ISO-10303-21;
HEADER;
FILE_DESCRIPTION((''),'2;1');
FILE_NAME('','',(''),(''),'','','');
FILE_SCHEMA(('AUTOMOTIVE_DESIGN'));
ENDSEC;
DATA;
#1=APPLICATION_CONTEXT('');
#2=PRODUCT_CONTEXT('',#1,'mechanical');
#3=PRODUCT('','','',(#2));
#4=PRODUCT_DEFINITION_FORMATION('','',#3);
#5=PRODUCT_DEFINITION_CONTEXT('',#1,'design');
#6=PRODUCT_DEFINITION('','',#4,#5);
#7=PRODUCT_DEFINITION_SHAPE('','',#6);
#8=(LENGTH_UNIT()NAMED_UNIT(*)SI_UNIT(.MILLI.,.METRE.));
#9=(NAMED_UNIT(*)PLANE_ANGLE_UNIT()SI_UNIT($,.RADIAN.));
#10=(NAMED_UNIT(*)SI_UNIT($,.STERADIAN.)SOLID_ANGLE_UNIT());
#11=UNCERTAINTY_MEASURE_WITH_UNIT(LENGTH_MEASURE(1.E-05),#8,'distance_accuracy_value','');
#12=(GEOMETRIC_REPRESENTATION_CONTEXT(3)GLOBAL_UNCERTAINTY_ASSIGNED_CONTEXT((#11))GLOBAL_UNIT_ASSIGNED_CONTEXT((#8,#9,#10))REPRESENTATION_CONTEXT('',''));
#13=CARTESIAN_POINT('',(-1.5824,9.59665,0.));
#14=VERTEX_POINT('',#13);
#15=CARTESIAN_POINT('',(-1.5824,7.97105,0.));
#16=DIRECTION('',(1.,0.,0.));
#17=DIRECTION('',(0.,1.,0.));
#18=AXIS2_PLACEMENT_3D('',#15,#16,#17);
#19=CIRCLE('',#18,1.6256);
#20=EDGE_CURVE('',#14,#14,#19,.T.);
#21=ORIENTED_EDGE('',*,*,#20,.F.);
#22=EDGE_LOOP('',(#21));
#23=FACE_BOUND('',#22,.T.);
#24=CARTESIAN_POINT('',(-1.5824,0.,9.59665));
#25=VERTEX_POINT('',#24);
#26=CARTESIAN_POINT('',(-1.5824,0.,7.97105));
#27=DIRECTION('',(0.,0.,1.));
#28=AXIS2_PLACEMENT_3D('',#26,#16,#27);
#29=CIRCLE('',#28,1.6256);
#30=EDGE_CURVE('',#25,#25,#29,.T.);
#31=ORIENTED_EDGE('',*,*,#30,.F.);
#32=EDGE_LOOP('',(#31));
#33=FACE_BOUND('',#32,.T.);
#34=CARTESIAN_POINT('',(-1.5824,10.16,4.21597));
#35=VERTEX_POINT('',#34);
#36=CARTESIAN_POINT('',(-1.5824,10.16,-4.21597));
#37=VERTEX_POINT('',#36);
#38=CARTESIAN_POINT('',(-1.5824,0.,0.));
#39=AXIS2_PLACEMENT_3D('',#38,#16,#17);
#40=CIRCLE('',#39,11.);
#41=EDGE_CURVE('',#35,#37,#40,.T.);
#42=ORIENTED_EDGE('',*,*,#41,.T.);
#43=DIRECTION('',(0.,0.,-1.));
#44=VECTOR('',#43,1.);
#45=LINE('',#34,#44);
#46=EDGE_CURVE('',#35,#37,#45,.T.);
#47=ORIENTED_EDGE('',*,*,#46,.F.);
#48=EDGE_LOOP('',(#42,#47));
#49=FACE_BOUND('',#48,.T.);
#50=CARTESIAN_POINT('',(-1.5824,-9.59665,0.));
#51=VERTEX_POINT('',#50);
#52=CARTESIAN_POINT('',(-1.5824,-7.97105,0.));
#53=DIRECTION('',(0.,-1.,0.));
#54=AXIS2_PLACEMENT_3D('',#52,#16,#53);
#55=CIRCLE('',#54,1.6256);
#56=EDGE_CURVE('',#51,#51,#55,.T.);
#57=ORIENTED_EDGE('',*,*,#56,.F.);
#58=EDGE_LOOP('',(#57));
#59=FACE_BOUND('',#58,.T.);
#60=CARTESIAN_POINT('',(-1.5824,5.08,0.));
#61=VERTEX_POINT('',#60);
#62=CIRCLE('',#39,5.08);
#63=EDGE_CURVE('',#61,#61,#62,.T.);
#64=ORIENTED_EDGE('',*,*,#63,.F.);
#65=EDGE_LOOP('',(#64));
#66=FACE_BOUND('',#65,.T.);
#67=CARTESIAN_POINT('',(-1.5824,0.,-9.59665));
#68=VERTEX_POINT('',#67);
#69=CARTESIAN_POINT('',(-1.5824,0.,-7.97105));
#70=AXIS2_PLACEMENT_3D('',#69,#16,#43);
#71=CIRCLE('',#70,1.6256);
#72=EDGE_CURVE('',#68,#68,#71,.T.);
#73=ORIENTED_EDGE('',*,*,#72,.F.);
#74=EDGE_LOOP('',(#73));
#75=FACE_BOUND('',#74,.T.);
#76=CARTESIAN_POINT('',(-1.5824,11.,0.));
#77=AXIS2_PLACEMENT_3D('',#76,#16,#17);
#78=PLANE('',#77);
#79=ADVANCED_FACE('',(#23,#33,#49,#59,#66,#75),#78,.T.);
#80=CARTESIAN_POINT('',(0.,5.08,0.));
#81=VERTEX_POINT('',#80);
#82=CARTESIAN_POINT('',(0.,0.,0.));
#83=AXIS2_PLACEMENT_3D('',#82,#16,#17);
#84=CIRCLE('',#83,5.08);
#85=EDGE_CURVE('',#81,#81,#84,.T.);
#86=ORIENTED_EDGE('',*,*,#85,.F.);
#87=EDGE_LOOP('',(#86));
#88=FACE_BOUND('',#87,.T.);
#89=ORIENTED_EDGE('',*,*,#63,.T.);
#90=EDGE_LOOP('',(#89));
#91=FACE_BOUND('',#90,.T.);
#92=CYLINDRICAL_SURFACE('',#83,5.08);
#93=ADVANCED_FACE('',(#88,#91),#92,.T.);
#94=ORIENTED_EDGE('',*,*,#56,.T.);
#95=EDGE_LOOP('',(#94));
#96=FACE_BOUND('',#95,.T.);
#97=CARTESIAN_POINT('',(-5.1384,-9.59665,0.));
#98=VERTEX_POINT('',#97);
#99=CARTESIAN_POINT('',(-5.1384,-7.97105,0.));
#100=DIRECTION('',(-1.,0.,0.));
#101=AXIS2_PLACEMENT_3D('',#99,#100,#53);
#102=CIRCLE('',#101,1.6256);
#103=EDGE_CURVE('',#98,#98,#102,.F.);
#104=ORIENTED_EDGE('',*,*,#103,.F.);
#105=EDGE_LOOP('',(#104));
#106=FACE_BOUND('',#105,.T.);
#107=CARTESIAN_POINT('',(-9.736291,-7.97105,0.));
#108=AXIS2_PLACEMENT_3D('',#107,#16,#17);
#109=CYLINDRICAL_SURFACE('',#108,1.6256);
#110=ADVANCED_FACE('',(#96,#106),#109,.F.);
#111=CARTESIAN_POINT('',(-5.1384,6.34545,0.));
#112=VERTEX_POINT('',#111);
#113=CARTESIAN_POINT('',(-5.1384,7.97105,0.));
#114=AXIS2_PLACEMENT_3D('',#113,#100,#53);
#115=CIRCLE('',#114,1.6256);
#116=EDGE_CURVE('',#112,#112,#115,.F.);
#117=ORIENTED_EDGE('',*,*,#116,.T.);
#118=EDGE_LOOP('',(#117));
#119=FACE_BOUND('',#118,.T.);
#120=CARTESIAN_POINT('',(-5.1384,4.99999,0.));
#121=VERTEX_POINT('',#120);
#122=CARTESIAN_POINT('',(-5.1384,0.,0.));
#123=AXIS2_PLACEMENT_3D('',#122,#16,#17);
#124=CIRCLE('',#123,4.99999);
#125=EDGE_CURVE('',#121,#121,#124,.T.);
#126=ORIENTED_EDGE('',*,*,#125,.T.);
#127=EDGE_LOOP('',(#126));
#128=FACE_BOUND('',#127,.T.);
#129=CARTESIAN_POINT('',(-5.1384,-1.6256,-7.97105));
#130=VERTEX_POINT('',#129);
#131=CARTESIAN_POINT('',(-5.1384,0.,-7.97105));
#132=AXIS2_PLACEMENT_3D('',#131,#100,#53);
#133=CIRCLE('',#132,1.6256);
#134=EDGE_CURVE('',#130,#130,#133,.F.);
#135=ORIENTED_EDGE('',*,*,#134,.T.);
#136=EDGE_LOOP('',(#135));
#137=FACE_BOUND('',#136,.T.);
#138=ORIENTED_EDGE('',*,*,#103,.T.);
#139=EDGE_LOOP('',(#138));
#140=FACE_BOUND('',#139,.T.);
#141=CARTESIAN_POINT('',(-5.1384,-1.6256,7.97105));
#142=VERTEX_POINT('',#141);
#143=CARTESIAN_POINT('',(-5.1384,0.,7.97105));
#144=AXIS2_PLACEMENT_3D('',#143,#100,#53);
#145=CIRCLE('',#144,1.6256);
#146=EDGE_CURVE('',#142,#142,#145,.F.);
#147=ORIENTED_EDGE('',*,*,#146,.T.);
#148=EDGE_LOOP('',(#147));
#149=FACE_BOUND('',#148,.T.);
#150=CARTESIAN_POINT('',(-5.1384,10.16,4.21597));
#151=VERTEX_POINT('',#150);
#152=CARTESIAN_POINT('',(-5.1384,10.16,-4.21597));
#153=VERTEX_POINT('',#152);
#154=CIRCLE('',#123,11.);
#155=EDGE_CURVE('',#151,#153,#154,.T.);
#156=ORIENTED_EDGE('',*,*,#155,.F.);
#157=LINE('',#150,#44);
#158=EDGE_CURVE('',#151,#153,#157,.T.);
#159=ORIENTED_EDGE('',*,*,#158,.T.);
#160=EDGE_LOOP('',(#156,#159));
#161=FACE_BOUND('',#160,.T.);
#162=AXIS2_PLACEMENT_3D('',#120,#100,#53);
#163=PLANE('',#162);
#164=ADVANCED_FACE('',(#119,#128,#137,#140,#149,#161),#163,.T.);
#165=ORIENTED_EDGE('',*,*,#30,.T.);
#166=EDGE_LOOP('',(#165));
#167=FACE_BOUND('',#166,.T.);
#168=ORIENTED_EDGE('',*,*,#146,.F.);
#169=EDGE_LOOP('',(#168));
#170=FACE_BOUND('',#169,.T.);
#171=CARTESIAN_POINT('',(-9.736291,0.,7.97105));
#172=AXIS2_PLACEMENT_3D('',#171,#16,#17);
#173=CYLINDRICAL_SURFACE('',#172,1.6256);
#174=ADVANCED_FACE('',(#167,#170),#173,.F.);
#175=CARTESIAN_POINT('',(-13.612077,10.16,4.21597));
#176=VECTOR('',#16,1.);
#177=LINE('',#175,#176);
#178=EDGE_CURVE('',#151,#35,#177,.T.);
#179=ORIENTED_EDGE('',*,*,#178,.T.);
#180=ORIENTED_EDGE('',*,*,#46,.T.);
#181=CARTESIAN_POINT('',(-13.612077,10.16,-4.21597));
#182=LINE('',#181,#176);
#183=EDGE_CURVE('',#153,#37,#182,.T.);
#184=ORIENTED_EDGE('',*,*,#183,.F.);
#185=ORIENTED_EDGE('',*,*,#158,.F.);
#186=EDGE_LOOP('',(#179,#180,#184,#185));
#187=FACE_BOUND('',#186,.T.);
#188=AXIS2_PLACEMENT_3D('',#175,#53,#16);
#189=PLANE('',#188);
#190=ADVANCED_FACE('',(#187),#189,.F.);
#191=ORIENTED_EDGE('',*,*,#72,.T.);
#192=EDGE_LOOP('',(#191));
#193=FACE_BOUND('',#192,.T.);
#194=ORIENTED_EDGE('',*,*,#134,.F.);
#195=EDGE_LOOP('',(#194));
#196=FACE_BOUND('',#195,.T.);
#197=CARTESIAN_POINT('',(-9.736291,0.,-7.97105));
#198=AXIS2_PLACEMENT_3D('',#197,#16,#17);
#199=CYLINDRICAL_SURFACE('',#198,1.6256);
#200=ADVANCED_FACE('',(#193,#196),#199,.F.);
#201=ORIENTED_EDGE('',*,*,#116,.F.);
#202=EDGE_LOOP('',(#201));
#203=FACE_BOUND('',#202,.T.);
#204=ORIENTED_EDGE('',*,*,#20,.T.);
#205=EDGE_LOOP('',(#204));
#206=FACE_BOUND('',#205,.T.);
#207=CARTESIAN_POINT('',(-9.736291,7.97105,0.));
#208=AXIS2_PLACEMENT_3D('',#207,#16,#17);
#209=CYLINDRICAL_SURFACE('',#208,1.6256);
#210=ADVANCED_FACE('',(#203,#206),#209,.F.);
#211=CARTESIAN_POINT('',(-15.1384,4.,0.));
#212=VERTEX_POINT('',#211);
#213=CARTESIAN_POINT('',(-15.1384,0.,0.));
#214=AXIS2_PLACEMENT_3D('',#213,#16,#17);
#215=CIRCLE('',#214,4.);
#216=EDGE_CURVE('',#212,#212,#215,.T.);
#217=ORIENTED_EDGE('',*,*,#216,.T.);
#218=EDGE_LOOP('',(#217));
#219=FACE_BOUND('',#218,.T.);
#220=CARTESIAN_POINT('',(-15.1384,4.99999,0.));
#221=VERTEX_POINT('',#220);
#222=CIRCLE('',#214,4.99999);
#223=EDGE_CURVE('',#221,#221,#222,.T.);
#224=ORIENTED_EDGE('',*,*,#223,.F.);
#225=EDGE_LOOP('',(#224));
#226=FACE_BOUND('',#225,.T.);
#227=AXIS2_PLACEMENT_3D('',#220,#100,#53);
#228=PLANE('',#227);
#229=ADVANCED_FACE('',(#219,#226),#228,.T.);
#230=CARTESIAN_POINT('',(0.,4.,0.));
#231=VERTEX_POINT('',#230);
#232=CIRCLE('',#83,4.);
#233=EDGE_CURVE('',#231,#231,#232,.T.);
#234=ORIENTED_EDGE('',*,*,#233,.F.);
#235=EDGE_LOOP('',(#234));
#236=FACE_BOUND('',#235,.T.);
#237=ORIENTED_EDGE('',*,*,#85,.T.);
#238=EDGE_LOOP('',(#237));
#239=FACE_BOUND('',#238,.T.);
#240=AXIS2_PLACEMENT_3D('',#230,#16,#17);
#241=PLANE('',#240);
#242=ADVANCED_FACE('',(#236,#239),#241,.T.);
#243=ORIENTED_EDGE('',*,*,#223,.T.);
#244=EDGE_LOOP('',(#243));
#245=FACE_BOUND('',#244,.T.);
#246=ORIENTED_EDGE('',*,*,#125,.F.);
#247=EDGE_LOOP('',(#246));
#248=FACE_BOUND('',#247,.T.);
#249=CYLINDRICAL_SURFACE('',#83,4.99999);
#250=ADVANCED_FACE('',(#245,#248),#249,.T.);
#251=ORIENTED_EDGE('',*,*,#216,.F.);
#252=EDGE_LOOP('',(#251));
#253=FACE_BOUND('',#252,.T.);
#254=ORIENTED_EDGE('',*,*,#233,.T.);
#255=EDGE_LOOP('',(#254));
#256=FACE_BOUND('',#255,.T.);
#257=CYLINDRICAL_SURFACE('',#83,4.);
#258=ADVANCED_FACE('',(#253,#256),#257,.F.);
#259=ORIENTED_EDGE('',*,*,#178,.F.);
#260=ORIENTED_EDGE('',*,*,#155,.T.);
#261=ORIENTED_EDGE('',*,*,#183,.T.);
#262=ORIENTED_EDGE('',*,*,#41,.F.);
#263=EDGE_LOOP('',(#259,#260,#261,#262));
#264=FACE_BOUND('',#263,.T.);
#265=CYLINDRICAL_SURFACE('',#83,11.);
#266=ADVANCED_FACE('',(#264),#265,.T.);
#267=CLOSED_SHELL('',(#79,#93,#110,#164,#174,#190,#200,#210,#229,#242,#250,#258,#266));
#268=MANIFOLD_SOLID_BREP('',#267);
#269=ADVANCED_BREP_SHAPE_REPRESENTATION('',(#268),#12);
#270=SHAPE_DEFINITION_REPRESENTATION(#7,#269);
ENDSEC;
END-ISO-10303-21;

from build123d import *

# Parameters (mm, degrees)
SKETCH2_R          = 1.6256
CUT_EXTRUDE1_DEPTH = 3.556
CIRPATTERN1_COUNT  = 4
CUT_EXTRUDE2_DEPTH = 3.556


with BuildPart() as part:
    # Sketch1 → Revolve1 (revolve)
    with BuildSketch(Plane.XY):
        Polygon((-15.1384, 4.99999), (-5.1384, 4.99999), (-5.1384, 11), (-1.5824, 11), (-1.5824, 5.08), (0, 5.08), (0, 4), (-15.1384, 4), align=None)
    revolve(axis=Axis((0, 0, 0), (-1, 0, 0)))

    # Sketch2 → Cut-Extrude1 (cut)
    with BuildSketch(Plane(origin=(-1.5824, 0, 0), x_dir=(0, 0, -1), z_dir=(1, 0, 0))):
        with Locations((0, 7.97105)):
            Circle(SKETCH2_R)
    cut_extrude1 = extrude(amount=-CUT_EXTRUDE1_DEPTH, mode=Mode.SUBTRACT)

    # CirPattern1: Cut-Extrude1 ×4 about axis
    cirpattern1_axis = Axis((0, 0, 0), (1, 0, 0))
    for i in range(1, CIRPATTERN1_COUNT):
        add(cut_extrude1.rotate(cirpattern1_axis, i * 360 / CIRPATTERN1_COUNT), mode=Mode.SUBTRACT)

    # Sketch3 → Cut-Extrude2 (cut)
    with BuildSketch(Plane(origin=(-1.5824, 0, 0), x_dir=(0, 0, -1), z_dir=(1, 0, 0))):
        with BuildLine():
            Line((-4.215969639, 10.16), (4.215969639, 10.16))
            ThreePointArc((4.215969639, 10.16), (0, 11), (-4.215969639, 10.16))
        make_face()
    extrude(amount=-CUT_EXTRUDE2_DEPTH, mode=Mode.SUBTRACT)


solid = part.part
